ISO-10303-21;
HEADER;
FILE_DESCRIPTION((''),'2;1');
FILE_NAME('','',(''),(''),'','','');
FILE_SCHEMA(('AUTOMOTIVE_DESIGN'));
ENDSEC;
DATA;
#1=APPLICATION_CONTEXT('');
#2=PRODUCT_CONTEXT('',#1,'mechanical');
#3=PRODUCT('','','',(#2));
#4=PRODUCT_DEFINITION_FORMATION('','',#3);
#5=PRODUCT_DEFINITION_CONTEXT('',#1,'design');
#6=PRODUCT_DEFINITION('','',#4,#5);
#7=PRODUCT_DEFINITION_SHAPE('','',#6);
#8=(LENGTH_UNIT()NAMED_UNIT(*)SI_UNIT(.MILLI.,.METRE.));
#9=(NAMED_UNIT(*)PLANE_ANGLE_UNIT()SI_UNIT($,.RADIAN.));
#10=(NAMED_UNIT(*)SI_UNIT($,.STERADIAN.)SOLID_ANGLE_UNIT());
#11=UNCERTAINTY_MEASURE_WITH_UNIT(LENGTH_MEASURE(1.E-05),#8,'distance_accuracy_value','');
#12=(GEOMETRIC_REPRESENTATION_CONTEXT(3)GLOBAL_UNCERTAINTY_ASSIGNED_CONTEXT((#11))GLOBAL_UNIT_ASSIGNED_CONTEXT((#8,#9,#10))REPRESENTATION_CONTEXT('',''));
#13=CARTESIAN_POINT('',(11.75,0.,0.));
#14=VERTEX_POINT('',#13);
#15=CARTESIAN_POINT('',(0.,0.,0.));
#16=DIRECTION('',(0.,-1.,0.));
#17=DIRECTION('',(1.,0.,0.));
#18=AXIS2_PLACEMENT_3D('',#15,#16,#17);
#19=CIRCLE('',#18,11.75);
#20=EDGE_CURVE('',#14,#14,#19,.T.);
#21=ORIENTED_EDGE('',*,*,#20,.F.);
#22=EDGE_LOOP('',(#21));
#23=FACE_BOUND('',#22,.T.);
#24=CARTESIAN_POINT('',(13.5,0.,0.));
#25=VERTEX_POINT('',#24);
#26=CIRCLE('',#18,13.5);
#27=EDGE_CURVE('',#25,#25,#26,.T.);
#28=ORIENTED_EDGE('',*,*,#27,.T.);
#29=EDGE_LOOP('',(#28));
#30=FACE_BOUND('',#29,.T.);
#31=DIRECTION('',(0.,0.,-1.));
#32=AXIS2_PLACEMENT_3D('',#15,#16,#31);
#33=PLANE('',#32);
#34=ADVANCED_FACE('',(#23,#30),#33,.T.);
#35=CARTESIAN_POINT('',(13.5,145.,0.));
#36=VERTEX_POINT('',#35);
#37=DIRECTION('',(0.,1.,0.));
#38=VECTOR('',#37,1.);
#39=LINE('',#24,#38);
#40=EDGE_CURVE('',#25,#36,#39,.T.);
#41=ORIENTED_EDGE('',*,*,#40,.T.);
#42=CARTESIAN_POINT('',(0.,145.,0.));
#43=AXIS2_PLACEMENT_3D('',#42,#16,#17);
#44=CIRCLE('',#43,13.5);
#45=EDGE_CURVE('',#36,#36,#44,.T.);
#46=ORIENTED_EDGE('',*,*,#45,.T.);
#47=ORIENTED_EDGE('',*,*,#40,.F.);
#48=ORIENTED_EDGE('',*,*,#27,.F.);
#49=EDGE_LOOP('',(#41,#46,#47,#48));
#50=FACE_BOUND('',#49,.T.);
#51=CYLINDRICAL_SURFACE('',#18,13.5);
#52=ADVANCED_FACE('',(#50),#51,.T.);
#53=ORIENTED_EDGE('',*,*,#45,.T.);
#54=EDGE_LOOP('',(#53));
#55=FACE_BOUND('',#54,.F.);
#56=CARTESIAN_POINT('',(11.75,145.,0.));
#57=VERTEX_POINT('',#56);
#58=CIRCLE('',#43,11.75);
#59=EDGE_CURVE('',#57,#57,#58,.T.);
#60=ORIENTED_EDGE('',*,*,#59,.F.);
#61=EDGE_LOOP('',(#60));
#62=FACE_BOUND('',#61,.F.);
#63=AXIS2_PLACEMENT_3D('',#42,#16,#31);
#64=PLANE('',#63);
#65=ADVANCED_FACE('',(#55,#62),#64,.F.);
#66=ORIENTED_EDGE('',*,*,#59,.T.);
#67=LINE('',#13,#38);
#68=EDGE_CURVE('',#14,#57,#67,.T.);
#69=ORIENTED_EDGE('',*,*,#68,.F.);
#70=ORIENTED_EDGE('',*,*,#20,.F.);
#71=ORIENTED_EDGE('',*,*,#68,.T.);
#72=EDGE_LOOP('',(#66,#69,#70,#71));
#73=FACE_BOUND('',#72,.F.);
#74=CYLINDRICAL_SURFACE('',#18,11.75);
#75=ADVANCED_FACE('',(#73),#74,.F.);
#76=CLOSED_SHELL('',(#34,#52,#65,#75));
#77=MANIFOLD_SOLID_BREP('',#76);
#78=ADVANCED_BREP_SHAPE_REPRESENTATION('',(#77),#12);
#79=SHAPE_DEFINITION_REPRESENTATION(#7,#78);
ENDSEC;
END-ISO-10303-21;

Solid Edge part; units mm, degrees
sketch "Sketch1" plane through (0, 0, 0) normal (0, -1, 0) x (1, 0, 0)
  circle A0 centre (0, 0) radius 13.5
  circle A1 centre (0, 0) radius 11.75
extrude "Protrusion1" add sketch "Sketch1" against normal blind 145
